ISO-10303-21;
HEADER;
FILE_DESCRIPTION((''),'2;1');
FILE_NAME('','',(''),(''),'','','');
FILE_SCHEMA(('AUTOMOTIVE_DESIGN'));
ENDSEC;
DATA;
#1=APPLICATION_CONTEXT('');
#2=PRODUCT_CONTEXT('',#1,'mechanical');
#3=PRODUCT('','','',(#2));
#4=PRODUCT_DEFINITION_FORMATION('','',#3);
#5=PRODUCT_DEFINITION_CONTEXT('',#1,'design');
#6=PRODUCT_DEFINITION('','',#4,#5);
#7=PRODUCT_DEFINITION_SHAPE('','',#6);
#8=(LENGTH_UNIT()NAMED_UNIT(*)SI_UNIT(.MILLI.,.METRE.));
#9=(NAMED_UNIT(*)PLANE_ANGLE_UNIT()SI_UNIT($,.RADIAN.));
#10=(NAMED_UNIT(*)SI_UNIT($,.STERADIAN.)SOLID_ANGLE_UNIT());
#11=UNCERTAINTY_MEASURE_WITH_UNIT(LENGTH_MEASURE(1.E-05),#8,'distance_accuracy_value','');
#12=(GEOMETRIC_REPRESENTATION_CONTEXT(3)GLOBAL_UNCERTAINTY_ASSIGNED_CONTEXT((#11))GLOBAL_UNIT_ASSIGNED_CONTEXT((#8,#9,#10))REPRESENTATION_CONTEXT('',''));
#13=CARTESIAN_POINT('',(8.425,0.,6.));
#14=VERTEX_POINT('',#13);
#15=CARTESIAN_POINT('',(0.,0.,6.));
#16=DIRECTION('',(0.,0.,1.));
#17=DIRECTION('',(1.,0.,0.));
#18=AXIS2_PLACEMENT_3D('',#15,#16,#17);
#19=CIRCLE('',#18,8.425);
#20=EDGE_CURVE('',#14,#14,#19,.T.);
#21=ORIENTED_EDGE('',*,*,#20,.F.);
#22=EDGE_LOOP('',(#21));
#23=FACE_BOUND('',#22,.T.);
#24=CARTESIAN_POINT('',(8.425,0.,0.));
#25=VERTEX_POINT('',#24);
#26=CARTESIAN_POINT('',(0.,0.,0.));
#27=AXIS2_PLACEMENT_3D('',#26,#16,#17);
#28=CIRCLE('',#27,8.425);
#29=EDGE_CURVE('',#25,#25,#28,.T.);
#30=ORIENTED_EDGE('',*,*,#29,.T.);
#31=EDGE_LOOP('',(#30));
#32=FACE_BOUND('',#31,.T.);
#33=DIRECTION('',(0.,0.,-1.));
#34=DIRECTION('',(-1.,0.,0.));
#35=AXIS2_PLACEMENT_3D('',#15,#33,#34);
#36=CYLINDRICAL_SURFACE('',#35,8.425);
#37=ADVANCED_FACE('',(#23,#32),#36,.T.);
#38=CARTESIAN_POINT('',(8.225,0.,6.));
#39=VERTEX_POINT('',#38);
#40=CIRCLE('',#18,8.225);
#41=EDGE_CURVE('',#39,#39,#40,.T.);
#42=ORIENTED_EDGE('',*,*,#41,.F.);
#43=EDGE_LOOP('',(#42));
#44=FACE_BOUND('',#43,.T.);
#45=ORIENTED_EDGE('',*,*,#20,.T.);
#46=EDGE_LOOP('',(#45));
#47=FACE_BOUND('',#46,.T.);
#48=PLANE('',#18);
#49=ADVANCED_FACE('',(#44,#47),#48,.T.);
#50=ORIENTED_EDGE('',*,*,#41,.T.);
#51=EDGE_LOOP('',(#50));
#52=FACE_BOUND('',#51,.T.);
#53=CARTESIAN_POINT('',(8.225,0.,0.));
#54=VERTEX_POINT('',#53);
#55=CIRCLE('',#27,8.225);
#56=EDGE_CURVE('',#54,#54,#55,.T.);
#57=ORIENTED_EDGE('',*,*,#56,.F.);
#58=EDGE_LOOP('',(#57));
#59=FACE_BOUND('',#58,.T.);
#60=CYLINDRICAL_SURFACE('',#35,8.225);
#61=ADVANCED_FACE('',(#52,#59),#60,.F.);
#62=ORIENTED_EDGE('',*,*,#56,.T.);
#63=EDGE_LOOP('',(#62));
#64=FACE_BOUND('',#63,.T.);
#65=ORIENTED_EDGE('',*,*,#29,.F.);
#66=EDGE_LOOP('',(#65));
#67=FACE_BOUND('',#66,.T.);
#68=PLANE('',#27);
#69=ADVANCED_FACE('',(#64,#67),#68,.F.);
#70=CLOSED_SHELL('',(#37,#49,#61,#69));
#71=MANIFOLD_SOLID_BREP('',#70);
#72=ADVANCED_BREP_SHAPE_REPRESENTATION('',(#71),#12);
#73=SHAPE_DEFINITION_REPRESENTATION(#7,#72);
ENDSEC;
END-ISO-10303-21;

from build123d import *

# Parameters (mm, degrees)
CROQUIS1_R              = 8.425
CROQUIS1_R_2            = 8.225
SALIENTE_EXTRUIR1_DEPTH = 6


with BuildPart() as part:
    # Croquis1 → Saliente-Extruir1 (new body)
    with BuildSketch(Plane.XY):
        Circle(CROQUIS1_R)
        Circle(CROQUIS1_R_2, mode=Mode.SUBTRACT)
    extrude(amount=SALIENTE_EXTRUIR1_DEPTH)


solid = part.part
